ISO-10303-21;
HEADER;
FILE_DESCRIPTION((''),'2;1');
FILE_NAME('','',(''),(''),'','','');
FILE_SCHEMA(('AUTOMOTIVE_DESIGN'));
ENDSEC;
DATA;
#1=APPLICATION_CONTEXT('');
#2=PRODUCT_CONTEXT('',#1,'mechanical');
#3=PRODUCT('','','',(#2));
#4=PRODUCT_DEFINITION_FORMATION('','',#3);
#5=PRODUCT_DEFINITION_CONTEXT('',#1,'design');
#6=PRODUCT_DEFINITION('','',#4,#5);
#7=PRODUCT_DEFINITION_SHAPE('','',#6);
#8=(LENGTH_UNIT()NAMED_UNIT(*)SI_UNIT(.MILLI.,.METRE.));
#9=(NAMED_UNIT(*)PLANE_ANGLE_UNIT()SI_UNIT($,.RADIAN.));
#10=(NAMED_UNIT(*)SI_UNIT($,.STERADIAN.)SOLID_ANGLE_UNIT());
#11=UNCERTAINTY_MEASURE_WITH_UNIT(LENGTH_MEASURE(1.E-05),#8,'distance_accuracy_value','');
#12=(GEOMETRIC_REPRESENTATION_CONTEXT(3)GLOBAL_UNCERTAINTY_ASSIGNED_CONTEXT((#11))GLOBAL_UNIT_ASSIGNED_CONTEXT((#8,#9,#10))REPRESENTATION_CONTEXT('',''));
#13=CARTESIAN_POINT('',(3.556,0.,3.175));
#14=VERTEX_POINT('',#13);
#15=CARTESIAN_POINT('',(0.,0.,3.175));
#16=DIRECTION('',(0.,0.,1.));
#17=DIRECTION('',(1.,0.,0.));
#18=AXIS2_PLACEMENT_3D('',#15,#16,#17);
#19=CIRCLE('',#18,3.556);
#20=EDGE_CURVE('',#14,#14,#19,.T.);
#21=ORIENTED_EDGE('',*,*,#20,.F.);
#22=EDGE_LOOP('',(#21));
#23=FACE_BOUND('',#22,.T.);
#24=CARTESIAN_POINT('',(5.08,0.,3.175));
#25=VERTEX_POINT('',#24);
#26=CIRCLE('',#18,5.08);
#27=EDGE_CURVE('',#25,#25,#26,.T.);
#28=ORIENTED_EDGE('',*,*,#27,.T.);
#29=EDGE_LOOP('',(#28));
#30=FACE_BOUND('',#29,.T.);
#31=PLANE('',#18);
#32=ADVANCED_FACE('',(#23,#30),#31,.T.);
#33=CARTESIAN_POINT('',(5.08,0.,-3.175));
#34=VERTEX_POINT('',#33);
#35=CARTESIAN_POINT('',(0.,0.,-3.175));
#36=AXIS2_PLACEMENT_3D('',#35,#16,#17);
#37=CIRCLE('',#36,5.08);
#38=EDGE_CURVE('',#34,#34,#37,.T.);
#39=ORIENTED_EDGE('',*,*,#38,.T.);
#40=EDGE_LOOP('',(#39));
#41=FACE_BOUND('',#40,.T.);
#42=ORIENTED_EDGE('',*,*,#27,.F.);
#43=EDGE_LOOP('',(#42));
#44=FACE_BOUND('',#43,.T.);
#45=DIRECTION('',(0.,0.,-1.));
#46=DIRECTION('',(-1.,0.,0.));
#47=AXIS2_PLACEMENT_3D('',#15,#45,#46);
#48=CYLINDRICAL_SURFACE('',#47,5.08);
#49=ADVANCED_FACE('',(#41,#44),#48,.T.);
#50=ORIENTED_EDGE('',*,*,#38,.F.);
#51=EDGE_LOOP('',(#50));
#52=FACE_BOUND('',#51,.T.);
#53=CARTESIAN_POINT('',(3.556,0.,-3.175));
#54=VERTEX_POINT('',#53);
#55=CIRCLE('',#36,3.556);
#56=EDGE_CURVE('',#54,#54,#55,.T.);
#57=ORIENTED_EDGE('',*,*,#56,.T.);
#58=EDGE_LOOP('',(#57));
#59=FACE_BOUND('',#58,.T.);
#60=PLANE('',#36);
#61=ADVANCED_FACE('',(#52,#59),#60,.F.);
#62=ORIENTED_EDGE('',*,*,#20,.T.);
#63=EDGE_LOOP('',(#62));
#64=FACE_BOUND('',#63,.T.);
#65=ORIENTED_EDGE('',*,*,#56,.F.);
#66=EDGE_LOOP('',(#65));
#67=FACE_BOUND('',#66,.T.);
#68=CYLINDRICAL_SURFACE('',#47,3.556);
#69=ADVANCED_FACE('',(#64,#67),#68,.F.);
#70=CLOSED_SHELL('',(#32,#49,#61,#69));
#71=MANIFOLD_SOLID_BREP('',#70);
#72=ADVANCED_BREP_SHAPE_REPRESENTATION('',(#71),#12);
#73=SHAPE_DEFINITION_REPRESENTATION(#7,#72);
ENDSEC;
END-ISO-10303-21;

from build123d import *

# Parameters (mm, degrees)
SKETCH1_R           = 5.08
SKETCH1_R_2         = 3.556
BOSS_EXTRUDE1_DEPTH = 3.175


with BuildPart() as part:
    # Sketch1 → Boss-Extrude1 (new, symmetric)
    with BuildSketch(Plane.XY):
        Circle(SKETCH1_R)
        Circle(SKETCH1_R_2, mode=Mode.SUBTRACT)
    extrude(amount=BOSS_EXTRUDE1_DEPTH, both=True)


solid = part.part
